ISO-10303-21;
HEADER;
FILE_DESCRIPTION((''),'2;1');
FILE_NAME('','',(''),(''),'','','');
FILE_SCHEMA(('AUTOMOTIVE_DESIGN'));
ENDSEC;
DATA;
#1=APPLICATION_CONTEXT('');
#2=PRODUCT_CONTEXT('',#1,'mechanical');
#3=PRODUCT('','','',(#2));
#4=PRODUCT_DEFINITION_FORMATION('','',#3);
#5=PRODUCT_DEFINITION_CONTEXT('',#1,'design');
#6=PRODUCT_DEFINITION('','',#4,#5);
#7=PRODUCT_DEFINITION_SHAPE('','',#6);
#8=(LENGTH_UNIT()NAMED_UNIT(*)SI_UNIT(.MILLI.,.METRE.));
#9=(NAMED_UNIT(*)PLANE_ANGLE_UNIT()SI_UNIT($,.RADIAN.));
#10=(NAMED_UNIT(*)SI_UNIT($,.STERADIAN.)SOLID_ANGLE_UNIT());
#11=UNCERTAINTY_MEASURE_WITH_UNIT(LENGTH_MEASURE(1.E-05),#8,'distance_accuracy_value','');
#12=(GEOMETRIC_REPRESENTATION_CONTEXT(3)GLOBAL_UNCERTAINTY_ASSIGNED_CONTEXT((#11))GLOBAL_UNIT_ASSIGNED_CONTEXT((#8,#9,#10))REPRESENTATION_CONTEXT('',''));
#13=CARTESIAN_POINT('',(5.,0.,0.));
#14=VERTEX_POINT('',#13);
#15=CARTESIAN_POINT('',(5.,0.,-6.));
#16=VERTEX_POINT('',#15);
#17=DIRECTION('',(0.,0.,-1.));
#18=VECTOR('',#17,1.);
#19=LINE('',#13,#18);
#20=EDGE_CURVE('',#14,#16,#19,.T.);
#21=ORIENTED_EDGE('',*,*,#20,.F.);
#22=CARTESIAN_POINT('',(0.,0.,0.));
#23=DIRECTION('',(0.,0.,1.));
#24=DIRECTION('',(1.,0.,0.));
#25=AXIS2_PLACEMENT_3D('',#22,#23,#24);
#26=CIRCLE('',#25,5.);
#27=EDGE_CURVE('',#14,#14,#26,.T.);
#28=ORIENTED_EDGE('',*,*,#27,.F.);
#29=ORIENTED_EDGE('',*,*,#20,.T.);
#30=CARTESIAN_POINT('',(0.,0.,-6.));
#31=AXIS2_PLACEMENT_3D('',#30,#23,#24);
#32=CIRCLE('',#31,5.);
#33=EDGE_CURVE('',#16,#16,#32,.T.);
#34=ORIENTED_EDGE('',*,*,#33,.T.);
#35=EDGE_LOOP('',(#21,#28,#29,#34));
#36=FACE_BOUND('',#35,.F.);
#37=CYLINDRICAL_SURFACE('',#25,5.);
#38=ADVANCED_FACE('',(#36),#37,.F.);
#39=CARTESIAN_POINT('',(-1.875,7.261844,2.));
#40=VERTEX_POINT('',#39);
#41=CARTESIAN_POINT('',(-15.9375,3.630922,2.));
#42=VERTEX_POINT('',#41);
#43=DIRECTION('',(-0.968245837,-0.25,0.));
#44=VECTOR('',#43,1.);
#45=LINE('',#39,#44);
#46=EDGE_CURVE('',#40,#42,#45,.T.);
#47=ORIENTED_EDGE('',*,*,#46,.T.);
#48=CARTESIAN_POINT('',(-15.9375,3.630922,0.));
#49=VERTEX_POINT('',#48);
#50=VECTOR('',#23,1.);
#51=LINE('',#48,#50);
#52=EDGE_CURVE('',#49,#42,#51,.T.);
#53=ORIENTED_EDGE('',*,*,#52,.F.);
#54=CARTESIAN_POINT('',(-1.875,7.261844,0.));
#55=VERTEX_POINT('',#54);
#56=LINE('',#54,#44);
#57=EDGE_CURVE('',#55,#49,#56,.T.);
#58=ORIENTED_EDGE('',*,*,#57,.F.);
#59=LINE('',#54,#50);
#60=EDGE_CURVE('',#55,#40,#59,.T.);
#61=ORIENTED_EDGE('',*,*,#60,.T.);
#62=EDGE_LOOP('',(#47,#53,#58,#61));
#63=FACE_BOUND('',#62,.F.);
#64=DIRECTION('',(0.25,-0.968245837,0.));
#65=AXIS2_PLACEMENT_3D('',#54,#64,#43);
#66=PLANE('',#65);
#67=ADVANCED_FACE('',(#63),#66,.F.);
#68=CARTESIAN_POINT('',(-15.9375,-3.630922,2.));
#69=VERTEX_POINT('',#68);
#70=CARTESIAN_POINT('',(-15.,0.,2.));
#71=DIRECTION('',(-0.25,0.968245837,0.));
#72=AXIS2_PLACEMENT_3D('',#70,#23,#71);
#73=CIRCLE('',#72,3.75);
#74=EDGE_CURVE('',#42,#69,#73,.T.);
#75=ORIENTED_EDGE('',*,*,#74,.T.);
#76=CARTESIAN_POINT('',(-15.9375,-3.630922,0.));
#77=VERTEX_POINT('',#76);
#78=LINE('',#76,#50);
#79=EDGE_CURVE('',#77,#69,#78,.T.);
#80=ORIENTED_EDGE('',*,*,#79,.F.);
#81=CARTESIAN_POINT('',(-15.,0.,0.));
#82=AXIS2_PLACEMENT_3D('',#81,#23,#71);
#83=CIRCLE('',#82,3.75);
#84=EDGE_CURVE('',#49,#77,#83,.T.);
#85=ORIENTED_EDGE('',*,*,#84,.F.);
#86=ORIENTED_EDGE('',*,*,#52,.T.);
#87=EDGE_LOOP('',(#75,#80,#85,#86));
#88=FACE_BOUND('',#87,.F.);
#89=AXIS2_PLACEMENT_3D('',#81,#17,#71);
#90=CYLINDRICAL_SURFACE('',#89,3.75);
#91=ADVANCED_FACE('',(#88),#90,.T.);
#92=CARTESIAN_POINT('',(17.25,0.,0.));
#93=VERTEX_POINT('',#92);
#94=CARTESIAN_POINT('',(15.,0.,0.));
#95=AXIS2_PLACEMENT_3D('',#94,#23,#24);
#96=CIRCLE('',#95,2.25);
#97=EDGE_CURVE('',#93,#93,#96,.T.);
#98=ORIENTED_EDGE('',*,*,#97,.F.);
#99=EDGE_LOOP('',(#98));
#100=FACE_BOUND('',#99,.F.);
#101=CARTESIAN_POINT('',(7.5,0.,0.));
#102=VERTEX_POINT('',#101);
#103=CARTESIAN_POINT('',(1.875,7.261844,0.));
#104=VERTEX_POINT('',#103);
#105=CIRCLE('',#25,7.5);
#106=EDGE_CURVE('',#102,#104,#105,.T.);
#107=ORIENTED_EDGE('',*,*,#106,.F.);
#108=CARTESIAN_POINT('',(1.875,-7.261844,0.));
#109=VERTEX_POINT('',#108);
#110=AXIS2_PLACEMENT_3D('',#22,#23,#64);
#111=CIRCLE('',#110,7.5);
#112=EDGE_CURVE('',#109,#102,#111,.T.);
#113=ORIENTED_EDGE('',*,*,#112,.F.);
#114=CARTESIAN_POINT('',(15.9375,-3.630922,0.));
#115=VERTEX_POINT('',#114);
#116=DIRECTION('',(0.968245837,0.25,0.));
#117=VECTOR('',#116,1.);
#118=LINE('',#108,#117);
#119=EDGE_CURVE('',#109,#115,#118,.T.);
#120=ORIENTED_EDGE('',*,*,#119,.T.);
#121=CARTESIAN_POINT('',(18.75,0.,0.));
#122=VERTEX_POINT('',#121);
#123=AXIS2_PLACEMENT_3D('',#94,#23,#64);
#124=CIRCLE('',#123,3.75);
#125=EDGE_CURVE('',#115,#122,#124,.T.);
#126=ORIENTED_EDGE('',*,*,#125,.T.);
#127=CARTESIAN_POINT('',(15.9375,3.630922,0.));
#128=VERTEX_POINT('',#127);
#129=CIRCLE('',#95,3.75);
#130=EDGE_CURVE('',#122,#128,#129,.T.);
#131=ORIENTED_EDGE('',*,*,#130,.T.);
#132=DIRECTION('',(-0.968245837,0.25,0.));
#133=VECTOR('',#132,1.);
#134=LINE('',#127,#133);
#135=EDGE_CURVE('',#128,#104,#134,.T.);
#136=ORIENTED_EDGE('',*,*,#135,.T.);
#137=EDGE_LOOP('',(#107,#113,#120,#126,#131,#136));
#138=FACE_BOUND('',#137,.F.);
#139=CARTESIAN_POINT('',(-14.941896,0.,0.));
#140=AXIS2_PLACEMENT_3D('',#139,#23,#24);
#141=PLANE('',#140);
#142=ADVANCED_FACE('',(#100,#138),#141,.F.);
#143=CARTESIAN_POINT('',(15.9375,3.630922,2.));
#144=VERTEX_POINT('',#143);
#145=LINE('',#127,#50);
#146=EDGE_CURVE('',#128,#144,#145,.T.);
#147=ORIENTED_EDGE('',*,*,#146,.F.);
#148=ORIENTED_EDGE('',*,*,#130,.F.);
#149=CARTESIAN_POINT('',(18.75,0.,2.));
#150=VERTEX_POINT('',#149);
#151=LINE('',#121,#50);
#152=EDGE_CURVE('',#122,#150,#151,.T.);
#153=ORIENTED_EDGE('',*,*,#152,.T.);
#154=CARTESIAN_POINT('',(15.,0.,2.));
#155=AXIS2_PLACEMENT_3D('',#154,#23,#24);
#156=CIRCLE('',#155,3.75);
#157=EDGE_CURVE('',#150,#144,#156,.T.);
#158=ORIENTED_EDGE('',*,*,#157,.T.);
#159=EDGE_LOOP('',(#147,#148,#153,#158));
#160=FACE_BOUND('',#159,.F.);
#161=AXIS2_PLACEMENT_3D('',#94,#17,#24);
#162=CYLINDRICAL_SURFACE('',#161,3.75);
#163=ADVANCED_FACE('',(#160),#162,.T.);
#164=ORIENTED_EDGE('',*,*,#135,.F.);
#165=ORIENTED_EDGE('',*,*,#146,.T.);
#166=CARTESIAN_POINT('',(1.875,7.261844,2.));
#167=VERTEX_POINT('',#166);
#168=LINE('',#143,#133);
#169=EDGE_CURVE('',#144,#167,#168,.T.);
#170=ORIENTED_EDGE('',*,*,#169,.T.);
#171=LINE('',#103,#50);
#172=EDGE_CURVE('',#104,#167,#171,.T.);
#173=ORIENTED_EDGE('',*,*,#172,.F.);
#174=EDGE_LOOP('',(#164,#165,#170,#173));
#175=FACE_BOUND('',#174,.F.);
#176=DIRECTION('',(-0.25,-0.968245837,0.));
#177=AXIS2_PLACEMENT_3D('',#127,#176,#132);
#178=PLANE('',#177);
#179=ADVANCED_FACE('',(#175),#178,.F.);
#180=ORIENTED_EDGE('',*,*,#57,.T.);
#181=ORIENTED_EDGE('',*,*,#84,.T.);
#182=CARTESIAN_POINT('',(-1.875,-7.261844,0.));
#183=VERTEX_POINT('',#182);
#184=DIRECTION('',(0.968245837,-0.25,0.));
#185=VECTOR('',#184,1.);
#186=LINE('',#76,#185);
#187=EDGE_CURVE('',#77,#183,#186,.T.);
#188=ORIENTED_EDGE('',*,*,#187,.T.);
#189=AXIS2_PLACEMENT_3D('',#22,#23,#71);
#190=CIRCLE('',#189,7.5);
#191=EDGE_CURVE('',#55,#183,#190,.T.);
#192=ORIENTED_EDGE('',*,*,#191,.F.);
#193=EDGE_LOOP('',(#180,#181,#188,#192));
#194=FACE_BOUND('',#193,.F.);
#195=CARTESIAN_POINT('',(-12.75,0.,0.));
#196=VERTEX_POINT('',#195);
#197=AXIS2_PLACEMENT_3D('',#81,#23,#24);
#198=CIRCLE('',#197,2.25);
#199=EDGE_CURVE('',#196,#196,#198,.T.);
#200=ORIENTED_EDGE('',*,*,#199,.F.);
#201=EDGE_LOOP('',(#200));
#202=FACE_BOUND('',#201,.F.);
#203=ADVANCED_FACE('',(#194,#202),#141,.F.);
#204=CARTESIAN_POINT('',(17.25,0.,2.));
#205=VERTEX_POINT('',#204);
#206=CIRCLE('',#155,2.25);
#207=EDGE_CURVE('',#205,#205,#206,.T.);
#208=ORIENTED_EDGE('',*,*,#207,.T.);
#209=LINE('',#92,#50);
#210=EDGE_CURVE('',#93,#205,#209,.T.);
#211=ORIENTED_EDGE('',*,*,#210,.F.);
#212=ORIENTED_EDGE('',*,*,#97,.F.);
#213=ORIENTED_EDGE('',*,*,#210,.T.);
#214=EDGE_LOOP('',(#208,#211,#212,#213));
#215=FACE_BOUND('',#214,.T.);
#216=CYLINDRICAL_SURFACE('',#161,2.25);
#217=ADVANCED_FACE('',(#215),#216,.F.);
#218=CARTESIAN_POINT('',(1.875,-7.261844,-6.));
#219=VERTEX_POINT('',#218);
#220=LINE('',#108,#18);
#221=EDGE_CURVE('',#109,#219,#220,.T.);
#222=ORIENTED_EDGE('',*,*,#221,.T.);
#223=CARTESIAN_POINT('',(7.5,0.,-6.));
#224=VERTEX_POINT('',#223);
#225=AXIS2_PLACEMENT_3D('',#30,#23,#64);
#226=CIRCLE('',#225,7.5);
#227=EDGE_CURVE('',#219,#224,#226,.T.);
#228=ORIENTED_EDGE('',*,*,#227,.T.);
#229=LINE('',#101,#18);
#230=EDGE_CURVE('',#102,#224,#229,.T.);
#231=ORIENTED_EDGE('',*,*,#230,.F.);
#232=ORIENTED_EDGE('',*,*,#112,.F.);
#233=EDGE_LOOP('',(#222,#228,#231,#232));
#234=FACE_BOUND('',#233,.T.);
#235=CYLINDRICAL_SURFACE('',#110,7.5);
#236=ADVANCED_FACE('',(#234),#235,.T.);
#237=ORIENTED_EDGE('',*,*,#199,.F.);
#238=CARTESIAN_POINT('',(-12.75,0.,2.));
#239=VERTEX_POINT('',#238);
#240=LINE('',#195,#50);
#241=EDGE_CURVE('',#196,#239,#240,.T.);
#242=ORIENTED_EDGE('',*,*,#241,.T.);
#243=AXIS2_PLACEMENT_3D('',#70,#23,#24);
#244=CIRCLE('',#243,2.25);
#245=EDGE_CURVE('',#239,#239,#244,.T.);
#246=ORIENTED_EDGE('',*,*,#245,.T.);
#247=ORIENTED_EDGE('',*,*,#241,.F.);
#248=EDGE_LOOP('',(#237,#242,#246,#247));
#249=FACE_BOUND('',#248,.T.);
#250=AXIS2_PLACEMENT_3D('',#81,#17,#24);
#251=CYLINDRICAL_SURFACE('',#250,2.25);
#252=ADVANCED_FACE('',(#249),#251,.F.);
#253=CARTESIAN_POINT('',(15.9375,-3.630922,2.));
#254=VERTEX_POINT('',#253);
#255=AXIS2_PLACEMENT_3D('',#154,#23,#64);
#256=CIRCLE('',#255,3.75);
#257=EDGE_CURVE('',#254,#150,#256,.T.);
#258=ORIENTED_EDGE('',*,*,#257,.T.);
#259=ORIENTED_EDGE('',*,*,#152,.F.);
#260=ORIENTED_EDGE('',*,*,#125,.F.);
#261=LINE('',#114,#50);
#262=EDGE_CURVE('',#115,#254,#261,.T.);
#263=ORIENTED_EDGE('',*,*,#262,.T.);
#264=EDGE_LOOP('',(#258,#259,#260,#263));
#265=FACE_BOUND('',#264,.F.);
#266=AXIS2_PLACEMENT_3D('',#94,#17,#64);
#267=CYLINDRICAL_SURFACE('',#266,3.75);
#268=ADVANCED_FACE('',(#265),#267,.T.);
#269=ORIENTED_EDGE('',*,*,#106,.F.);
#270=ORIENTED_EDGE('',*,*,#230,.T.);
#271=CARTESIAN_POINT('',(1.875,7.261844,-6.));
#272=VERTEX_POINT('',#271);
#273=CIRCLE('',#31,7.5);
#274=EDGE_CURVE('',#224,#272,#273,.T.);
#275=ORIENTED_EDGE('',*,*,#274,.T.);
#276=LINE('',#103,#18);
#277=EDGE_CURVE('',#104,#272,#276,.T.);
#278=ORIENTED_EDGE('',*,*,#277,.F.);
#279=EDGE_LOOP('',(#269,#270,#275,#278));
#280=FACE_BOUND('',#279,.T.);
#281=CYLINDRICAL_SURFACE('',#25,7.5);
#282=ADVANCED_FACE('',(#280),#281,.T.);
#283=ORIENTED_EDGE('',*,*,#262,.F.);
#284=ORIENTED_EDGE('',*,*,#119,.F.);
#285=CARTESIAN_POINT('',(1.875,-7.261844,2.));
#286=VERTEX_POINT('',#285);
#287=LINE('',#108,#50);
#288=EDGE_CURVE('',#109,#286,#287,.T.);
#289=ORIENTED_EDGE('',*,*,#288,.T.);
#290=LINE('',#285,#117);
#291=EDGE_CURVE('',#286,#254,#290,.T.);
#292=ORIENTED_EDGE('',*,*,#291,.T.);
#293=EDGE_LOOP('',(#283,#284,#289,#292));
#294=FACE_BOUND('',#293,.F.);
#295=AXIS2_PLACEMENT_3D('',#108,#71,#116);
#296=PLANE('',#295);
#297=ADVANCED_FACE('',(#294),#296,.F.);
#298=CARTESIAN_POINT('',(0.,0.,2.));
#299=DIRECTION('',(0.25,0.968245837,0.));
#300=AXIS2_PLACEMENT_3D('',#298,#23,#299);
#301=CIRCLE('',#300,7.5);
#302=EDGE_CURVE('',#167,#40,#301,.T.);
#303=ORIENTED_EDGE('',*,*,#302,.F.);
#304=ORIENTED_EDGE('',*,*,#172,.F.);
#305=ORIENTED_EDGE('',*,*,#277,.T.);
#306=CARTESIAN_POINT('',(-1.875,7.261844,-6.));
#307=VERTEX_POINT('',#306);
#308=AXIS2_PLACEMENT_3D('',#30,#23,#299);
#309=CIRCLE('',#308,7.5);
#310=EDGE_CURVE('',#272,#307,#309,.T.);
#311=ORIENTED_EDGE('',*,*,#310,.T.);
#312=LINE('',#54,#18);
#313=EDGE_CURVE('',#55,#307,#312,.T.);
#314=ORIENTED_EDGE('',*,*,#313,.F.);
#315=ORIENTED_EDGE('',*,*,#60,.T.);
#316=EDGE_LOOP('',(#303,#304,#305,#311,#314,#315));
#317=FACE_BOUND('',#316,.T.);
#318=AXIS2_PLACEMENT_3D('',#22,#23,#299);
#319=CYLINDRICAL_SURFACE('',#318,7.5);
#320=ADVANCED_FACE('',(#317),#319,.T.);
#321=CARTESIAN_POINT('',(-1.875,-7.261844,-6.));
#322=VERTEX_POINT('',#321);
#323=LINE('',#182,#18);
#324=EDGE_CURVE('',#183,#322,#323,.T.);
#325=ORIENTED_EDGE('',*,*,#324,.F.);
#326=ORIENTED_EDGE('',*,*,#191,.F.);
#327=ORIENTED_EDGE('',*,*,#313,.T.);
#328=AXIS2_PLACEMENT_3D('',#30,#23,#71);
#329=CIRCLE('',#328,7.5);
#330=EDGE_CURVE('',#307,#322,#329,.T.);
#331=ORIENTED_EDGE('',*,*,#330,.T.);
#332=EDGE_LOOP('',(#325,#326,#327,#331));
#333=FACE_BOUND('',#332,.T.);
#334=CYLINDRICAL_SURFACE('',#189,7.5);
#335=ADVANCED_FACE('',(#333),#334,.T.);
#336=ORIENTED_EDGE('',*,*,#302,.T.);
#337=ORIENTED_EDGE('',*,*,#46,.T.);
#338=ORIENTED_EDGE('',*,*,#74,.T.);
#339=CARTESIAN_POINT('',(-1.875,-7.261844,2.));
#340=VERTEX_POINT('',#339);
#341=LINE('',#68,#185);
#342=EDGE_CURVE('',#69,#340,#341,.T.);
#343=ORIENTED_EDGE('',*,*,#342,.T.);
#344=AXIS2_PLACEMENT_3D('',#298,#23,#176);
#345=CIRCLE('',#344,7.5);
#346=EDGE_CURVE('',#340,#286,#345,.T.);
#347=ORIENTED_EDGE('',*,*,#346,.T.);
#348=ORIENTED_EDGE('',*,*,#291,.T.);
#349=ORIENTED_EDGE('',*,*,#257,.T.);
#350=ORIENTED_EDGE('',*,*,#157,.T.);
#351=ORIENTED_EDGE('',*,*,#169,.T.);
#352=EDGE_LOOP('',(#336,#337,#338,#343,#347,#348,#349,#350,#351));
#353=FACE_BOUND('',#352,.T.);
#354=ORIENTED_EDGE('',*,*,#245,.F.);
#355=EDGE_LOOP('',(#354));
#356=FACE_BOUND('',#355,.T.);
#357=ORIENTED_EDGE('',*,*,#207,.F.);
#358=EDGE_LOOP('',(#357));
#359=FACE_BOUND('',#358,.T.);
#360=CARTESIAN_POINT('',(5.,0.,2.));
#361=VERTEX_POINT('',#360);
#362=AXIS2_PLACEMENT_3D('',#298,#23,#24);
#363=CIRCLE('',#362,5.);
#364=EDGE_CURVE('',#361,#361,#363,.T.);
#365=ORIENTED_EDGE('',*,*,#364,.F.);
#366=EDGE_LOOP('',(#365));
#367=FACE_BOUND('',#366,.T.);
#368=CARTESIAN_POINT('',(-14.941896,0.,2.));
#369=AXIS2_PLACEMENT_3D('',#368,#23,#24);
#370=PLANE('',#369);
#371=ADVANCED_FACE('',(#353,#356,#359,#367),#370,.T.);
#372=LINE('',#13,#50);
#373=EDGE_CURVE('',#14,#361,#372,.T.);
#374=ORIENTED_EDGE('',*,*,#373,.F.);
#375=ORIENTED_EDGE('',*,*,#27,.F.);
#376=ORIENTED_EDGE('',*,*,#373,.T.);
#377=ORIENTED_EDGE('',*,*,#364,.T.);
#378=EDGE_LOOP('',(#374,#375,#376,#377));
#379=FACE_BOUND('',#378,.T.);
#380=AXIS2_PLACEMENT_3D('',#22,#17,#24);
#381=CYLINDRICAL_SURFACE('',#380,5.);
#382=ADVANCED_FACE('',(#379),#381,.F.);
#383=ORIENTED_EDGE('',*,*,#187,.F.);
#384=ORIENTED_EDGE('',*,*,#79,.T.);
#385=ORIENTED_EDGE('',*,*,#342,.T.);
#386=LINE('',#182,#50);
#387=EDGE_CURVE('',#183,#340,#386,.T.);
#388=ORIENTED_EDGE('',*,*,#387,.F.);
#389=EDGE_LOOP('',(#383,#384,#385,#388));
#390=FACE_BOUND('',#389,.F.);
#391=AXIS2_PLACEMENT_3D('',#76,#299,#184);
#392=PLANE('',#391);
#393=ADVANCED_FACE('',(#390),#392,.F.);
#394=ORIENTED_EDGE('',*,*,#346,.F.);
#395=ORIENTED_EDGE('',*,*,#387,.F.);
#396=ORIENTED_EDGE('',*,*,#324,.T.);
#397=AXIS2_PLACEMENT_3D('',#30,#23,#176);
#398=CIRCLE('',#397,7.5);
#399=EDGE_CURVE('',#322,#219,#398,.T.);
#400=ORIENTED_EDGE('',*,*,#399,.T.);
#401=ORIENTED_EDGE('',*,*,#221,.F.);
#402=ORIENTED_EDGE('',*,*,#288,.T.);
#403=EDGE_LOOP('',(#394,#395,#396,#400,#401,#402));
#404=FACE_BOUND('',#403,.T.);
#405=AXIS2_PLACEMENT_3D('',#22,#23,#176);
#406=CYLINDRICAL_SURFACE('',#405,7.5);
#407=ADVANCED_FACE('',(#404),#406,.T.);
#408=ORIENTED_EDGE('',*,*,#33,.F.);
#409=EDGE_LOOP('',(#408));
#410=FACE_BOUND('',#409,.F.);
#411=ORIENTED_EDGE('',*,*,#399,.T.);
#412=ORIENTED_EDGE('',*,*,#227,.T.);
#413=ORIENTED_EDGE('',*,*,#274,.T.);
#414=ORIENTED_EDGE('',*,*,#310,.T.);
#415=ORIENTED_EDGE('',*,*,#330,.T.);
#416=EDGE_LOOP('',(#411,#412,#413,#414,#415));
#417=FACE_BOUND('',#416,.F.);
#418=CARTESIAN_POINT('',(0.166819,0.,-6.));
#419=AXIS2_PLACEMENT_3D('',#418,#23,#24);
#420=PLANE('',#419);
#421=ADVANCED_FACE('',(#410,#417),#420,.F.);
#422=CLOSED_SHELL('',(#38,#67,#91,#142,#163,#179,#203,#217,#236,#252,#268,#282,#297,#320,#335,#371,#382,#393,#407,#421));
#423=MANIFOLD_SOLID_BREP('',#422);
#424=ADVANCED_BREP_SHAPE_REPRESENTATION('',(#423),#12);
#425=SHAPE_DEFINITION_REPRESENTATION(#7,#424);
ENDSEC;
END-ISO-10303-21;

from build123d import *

# Parameters (mm, degrees)
F0_R     = 2.25
F0_R_2   = 5
F1_DEPTH = 2
F2_DEPTH = 6


with BuildPart() as f1:
    # F0 (on Top) → F1 (new body)
    with BuildSketch(Plane.XY):
        with BuildLine():
            ThreePointArc((-11.25, 0), (-12.7036033661, 2.9646353064), (-15.9375, 3.6309218871))
            ThreePointArc((-15.9375, 3.6309218871), (-18.75, 0), (-15.9375, -3.6309218871))
            ThreePointArc((-15.9375, -3.6309218871), (-12.7036033661, -2.9646353064), (-11.25, 0))
        make_face()
        with Locations((-15, 0)):
            Circle(F0_R, mode=Mode.SUBTRACT)
        with BuildLine():
            ThreePointArc((-1.875, -7.2618437741), (-7.5, 0), (-1.875, 7.2618437741))
            Line((-1.875, 7.2618437741), (-15.9375, 3.6309218871))
            ThreePointArc((-15.9375, 3.6309218871), (-12.7036033661, 2.9646353064), (-11.25, 0))
            ThreePointArc((-11.25, 0), (-12.7036033661, -2.9646353064), (-15.9375, -3.6309218871))
            Line((-15.9375, -3.6309218871), (-1.875, -7.2618437741))
        make_face()
        with BuildLine():
            ThreePointArc((1.875, 7.2618437741), (5.9292706128, 4.5927932677), (7.5, 0))
            ThreePointArc((7.5, 0), (5.9292706128, -4.5927932677), (1.875, -7.2618437741))
            Line((1.875, -7.2618437741), (15.9375, -3.6309218871))
            ThreePointArc((15.9375, -3.6309218871), (11.25, 0), (15.9375, 3.6309218871))
            Line((15.9375, 3.6309218871), (1.875, 7.2618437741))
        make_face()
        with BuildLine():
            ThreePointArc((18.75, 0), (17.9646353064, 2.2963966339), (15.9375, 3.6309218871))
            ThreePointArc((15.9375, 3.6309218871), (11.25, 0), (15.9375, -3.6309218871))
            ThreePointArc((15.9375, -3.6309218871), (17.9646353064, -2.2963966339), (18.75, 0))
        make_face()
        with Locations((15, 0)):
            Circle(F0_R, mode=Mode.SUBTRACT)
        with BuildLine():
            ThreePointArc((1.875, -7.2618437741), (5.9292706128, -4.5927932677), (7.5, 0))
            ThreePointArc((7.5, 0), (5.9292706128, 4.5927932677), (1.875, 7.2618437741))
            ThreePointArc((1.875, 7.2618437741), (0, 7.5), (-1.875, 7.2618437741))
            ThreePointArc((-1.875, 7.2618437741), (-7.5, 0), (-1.875, -7.2618437741))
            ThreePointArc((-1.875, -7.2618437741), (0, -7.5), (1.875, -7.2618437741))
        make_face()
        Circle(F0_R_2, mode=Mode.SUBTRACT)
    extrude(amount=F1_DEPTH)

    # F0 (on Top) → F2 (join)
    with BuildSketch(Plane.XY):
        with BuildLine():
            ThreePointArc((1.875, -7.2618437741), (5.9292706128, -4.5927932677), (7.5, 0))
            ThreePointArc((7.5, 0), (5.9292706128, 4.5927932677), (1.875, 7.2618437741))
            ThreePointArc((1.875, 7.2618437741), (0, 7.5), (-1.875, 7.2618437741))
            ThreePointArc((-1.875, 7.2618437741), (-7.5, 0), (-1.875, -7.2618437741))
            ThreePointArc((-1.875, -7.2618437741), (0, -7.5), (1.875, -7.2618437741))
        make_face()
        Circle(F0_R_2, mode=Mode.SUBTRACT)
    extrude(amount=-F2_DEPTH)


solid = f1.part
